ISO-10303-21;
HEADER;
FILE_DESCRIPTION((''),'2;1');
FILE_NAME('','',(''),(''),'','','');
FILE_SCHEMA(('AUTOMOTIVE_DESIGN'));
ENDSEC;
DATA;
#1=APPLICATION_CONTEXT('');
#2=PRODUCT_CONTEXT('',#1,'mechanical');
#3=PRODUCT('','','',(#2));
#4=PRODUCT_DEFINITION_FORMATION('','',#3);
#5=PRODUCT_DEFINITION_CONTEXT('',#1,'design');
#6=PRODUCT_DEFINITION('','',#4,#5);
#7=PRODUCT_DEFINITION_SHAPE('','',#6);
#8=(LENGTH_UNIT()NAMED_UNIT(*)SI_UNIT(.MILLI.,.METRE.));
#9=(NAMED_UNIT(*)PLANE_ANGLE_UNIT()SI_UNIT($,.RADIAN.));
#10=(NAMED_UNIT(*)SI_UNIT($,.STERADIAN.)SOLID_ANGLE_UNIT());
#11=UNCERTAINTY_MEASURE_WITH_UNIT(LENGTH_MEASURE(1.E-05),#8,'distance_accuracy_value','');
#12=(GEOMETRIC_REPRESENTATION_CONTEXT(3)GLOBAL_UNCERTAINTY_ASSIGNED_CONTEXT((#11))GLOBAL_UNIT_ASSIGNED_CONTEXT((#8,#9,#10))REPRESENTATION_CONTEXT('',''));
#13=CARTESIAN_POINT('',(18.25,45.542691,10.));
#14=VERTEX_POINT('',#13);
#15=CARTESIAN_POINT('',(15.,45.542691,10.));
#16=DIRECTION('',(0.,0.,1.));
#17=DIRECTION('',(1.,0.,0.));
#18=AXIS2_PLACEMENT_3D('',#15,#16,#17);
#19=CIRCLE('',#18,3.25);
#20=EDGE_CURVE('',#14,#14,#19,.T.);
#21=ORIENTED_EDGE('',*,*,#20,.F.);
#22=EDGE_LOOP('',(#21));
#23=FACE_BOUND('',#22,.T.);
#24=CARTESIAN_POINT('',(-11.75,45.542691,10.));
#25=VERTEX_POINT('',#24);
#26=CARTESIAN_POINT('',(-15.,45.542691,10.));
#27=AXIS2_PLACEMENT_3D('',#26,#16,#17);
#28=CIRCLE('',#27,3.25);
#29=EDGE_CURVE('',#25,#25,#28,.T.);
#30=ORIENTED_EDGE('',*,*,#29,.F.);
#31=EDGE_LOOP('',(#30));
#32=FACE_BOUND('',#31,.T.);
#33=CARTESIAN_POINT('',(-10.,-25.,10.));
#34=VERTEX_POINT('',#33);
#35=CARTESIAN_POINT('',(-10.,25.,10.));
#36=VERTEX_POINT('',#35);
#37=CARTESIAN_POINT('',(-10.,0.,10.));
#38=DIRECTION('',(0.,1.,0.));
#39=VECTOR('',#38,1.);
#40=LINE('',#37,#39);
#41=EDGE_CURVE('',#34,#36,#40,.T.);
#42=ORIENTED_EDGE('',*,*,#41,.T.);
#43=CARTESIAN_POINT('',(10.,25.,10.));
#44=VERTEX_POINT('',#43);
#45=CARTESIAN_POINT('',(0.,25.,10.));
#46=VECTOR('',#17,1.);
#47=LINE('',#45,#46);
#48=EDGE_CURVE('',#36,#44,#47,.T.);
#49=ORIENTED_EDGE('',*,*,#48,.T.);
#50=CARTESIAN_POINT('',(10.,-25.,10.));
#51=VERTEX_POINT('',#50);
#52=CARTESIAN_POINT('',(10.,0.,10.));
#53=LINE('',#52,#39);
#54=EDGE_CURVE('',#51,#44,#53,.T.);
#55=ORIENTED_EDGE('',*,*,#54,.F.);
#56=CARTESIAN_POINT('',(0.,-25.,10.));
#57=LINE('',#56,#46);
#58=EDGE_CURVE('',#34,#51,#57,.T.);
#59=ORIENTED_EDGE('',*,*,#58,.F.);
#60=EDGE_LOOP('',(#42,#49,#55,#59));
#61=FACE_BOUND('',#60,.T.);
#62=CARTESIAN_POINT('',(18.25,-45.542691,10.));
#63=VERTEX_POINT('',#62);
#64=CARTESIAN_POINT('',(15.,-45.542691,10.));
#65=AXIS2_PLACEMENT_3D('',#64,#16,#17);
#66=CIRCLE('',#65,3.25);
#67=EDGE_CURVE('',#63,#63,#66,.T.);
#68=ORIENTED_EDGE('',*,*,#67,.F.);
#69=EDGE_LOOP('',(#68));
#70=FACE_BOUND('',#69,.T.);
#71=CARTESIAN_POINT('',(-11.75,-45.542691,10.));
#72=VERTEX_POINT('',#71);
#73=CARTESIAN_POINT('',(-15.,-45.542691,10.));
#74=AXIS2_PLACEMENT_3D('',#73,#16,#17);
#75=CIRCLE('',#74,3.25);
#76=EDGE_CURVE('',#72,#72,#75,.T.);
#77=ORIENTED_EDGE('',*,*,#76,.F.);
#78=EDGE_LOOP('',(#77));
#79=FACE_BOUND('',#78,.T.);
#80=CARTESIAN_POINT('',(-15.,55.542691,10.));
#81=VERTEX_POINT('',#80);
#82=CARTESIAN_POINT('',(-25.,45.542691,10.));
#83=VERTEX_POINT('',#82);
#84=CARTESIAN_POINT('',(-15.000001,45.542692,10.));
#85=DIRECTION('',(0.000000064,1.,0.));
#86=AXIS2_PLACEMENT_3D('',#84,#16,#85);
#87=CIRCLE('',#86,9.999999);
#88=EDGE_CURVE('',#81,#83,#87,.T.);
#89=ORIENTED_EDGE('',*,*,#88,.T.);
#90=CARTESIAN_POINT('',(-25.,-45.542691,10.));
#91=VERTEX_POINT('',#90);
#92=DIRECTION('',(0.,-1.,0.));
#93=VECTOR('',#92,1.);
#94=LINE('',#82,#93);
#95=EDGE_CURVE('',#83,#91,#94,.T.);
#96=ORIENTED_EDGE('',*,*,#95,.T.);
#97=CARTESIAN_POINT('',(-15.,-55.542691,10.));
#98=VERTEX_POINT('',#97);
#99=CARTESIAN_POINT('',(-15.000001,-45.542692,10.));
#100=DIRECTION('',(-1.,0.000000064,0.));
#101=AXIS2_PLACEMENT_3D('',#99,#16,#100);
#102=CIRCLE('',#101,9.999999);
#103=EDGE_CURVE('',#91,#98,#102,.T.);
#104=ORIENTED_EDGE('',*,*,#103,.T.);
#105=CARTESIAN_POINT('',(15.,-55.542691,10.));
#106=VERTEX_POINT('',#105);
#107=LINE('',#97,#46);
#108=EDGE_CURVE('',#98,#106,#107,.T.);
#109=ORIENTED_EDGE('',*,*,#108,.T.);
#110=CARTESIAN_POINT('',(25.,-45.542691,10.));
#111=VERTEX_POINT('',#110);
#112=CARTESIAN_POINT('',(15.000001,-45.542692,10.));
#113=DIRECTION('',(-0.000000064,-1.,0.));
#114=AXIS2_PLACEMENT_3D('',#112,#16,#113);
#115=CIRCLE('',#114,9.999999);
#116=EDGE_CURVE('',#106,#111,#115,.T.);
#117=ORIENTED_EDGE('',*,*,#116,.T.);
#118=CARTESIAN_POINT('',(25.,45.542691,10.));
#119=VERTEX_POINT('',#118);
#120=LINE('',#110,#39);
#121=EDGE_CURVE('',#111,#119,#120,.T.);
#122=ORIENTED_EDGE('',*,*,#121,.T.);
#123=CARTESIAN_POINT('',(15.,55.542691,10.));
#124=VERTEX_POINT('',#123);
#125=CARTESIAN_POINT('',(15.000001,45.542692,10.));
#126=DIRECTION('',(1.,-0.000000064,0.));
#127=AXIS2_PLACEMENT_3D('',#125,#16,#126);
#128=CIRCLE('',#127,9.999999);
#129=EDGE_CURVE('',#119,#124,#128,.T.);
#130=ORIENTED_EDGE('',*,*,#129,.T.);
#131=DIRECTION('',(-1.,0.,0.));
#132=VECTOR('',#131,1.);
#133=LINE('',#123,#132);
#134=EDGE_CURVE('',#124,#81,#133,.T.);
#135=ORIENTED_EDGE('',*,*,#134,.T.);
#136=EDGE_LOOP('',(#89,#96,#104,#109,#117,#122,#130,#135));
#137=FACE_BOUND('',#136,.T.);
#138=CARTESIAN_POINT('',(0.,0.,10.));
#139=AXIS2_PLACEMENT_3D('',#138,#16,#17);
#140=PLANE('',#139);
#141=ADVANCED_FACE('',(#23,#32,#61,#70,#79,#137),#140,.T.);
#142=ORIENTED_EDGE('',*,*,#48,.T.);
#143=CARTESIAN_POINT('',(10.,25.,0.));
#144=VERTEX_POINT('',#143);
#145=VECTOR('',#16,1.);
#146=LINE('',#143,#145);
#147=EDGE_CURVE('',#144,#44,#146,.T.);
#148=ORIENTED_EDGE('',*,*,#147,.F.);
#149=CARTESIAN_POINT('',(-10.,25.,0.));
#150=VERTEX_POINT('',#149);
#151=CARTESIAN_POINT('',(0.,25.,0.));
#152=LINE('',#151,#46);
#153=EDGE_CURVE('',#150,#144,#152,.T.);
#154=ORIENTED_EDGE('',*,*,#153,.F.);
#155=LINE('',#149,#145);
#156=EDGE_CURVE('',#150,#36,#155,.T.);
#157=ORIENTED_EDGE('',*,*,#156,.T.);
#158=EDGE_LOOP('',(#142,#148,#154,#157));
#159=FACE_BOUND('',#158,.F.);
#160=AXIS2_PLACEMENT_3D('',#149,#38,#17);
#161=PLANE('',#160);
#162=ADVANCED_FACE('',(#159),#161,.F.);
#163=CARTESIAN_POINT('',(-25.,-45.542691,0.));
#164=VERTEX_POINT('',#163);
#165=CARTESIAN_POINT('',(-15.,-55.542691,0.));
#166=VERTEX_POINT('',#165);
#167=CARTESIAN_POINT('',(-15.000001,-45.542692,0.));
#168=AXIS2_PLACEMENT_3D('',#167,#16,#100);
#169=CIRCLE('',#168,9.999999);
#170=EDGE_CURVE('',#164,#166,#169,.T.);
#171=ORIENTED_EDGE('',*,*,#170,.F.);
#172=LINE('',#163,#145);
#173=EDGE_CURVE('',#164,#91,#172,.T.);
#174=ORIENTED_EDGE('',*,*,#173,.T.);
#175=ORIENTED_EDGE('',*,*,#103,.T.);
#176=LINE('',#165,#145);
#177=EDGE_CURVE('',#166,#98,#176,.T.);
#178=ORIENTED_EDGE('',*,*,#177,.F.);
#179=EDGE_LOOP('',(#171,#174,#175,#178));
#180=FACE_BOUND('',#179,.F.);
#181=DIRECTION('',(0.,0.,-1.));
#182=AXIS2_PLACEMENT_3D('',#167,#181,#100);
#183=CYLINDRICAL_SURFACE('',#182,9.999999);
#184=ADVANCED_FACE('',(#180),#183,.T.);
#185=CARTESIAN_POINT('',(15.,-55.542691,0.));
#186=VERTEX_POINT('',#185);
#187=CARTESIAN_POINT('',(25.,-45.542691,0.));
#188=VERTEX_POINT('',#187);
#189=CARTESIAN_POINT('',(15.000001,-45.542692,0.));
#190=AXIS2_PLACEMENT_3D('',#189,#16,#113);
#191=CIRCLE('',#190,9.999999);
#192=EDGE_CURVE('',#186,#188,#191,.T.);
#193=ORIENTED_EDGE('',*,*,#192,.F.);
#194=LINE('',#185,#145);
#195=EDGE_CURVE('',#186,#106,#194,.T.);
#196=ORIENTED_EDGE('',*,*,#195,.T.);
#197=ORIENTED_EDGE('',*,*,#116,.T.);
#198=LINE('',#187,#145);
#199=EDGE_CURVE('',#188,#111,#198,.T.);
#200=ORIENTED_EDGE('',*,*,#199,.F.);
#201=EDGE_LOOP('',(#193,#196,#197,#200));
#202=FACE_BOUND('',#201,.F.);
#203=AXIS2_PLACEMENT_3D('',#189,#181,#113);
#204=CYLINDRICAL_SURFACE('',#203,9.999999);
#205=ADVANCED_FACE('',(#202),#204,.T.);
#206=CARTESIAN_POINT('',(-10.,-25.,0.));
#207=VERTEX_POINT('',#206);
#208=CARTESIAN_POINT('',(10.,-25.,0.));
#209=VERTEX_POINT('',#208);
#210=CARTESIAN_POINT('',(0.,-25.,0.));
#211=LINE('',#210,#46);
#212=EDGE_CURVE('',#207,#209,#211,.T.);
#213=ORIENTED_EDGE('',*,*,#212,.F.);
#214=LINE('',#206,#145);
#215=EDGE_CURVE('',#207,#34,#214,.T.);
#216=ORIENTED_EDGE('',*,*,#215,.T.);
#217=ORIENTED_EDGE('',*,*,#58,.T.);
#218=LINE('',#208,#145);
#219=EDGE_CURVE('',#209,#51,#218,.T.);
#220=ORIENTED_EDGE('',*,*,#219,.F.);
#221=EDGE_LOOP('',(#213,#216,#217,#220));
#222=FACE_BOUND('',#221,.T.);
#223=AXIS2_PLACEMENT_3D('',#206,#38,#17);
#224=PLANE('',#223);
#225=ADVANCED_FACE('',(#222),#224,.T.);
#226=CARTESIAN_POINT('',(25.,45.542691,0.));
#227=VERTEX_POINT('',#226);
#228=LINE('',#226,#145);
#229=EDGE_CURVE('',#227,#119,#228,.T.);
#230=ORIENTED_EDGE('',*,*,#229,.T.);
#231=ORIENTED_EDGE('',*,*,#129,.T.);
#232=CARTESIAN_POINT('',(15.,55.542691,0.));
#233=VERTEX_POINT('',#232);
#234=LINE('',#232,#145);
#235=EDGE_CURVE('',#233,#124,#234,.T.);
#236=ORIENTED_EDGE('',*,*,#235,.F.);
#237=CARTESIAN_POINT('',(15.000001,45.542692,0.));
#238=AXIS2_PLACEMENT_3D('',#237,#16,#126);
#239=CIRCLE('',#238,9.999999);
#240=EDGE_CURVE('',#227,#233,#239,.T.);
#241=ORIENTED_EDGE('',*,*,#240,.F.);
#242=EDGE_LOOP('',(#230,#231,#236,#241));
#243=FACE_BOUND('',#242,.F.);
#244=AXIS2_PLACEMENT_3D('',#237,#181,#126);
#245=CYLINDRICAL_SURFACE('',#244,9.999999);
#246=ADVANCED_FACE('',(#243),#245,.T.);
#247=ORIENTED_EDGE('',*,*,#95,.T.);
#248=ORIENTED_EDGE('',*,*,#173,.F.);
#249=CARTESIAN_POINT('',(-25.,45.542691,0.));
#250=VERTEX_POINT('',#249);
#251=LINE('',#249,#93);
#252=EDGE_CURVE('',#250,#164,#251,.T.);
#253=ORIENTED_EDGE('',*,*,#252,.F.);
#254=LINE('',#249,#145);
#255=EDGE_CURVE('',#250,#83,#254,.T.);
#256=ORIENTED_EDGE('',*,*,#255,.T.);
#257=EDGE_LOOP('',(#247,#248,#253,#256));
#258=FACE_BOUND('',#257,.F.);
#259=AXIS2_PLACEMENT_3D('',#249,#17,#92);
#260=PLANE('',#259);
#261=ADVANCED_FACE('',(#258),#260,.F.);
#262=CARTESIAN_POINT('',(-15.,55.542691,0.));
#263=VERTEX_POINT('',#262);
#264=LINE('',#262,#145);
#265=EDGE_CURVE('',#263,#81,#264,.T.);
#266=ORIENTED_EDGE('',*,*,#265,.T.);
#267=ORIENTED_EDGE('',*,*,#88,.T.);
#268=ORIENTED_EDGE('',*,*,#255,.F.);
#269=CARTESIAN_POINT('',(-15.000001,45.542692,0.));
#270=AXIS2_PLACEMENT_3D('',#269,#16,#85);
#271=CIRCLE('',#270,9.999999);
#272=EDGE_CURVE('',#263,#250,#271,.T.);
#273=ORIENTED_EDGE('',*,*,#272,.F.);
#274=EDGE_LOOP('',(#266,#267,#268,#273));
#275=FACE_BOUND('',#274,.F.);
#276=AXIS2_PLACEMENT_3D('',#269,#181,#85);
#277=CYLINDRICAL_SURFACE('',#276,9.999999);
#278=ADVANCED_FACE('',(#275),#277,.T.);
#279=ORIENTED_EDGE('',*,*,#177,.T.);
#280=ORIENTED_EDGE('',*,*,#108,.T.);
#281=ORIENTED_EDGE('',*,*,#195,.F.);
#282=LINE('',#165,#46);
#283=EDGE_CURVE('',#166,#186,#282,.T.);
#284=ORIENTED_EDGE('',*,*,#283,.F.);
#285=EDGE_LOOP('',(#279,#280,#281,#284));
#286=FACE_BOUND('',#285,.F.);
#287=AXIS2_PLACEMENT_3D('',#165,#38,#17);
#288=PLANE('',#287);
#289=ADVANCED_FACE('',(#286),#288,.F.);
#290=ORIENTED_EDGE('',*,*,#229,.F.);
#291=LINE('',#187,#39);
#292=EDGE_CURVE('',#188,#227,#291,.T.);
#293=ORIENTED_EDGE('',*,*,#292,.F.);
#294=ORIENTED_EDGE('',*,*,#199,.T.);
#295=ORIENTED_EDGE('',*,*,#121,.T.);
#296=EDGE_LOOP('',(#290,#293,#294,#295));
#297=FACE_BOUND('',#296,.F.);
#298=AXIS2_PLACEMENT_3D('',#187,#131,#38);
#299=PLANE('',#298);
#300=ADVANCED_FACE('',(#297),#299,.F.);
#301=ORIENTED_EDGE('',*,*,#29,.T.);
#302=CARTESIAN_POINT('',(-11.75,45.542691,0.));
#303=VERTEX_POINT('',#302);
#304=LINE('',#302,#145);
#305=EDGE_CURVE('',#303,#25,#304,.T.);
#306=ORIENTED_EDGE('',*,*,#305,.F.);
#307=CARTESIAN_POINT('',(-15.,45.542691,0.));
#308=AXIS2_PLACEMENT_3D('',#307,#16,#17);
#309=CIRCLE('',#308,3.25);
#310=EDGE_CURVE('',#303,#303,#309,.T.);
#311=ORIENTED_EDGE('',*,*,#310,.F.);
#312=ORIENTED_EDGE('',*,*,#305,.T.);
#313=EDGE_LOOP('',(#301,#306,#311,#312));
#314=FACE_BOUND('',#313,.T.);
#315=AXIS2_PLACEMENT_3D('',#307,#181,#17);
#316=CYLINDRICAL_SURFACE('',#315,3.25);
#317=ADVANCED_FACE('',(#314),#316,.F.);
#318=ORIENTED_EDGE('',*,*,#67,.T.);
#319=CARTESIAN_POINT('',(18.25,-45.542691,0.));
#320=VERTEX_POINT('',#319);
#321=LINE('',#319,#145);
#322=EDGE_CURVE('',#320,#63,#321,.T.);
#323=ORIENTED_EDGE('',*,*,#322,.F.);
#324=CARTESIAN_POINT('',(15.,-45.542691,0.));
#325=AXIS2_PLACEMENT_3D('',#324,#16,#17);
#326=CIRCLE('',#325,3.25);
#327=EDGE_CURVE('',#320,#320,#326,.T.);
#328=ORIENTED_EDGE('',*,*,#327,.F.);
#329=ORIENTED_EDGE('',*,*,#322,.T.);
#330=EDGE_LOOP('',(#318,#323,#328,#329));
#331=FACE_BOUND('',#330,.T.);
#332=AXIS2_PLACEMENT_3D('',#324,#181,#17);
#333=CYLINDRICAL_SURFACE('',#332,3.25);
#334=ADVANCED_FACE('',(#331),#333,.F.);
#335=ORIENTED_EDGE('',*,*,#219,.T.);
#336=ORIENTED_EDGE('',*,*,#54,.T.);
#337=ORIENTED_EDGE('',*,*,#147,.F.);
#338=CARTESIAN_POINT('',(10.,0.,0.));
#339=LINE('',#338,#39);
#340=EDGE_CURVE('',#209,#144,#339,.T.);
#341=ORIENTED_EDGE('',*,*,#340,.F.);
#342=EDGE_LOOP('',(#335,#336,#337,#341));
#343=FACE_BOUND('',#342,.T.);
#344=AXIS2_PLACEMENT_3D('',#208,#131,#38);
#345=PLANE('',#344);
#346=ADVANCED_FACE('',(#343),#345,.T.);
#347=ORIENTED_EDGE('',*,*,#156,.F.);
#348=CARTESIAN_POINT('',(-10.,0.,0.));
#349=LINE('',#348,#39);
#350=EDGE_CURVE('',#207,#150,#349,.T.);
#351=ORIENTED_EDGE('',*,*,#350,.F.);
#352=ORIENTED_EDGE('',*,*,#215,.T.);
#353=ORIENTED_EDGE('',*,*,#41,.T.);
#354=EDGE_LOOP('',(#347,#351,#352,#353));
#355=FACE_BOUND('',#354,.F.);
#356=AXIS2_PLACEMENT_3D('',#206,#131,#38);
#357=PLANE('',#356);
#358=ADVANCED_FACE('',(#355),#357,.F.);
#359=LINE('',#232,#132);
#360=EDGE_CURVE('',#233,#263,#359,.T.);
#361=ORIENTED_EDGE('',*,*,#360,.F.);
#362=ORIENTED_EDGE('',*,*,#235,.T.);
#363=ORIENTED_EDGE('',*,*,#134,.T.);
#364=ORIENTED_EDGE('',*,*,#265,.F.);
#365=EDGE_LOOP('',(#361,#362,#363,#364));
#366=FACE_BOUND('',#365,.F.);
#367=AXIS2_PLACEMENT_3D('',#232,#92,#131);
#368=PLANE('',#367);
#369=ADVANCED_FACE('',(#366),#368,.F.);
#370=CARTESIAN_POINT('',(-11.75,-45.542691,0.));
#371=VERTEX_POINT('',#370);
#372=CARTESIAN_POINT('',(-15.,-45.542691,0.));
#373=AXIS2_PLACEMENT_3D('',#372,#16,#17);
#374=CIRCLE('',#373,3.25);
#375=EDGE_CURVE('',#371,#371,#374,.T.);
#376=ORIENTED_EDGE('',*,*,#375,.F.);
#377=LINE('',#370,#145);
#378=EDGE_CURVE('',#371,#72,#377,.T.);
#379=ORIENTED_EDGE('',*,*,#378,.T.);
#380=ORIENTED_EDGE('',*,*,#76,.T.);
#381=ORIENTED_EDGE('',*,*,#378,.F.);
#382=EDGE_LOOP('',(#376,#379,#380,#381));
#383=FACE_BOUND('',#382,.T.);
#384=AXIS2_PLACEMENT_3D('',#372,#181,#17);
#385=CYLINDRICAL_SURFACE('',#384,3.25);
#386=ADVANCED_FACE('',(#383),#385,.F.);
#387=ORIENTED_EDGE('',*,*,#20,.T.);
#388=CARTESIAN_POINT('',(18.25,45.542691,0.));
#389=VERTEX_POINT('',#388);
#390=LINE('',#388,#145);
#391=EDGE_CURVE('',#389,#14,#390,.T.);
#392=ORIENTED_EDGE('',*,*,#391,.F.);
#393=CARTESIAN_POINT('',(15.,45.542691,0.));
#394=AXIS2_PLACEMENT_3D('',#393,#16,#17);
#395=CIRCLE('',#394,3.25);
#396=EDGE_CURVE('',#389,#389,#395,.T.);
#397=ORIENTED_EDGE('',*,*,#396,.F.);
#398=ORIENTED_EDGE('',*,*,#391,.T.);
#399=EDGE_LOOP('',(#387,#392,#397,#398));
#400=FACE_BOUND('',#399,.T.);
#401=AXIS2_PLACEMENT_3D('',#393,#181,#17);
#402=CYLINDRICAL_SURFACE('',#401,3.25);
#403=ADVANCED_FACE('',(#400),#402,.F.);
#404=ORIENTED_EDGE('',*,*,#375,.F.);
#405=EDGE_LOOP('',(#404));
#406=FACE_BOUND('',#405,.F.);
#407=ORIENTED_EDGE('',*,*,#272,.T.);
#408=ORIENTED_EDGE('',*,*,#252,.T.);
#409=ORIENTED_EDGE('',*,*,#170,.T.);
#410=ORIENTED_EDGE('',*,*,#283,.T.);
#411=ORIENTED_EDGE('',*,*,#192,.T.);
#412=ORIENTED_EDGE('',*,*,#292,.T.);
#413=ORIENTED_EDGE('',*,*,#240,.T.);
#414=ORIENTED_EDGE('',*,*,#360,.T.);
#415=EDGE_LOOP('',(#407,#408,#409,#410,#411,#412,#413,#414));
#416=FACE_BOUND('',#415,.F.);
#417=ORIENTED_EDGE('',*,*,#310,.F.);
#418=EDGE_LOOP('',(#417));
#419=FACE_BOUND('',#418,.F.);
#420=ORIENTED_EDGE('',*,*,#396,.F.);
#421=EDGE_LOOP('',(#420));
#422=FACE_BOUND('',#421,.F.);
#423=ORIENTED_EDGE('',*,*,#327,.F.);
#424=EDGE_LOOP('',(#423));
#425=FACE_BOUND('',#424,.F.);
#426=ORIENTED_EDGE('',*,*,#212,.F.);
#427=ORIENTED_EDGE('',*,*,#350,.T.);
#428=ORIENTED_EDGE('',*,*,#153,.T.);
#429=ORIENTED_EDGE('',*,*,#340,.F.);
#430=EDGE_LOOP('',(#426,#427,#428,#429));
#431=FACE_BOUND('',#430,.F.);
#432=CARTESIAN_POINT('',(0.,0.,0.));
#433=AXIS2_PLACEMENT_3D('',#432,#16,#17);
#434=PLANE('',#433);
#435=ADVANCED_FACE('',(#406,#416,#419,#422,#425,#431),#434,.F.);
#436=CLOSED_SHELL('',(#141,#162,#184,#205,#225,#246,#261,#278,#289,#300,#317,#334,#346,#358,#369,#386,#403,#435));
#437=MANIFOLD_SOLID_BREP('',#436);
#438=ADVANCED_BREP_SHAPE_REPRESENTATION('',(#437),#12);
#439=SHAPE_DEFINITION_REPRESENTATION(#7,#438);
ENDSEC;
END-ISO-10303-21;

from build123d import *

# Parameters (mm, degrees)
F0_R     = 3.25
F0_W     = 20
F0_H     = 50
F1_DEPTH = 10


with BuildPart() as f1:
    # F0 (on Top) → F1 (new body)
    with BuildSketch(Plane.XY):
        with BuildLine():
            Line((-15, -55.542691), (15, -55.542691))
            ThreePointArc((15, -55.542691), (22.071068, -52.613759), (25, -45.542691))
            Line((25, -45.542691), (25, 45.542691))
            ThreePointArc((25, 45.542691), (22.071068, 52.613759), (15, 55.542691))
            Line((15, 55.542691), (-15, 55.542691))
            ThreePointArc((-15, 55.542691), (-22.071068, 52.613759), (-25, 45.542691))
            Line((-25, 45.542691), (-25, -45.542691))
            ThreePointArc((-25, -45.542691), (-22.071068, -52.613759), (-15, -55.542691))
        make_face()
        with Locations((-15, -45.542691)):
            Circle(F0_R, mode=Mode.SUBTRACT)
        with Locations((15, -45.542691)):
            Circle(F0_R, mode=Mode.SUBTRACT)
        with Locations((-15, 45.542691)):
            Circle(F0_R, mode=Mode.SUBTRACT)
        Rectangle(F0_W, F0_H, mode=Mode.SUBTRACT)
        with Locations((15, 45.542691)):
            Circle(F0_R, mode=Mode.SUBTRACT)
    extrude(amount=F1_DEPTH)


solid = f1.part
